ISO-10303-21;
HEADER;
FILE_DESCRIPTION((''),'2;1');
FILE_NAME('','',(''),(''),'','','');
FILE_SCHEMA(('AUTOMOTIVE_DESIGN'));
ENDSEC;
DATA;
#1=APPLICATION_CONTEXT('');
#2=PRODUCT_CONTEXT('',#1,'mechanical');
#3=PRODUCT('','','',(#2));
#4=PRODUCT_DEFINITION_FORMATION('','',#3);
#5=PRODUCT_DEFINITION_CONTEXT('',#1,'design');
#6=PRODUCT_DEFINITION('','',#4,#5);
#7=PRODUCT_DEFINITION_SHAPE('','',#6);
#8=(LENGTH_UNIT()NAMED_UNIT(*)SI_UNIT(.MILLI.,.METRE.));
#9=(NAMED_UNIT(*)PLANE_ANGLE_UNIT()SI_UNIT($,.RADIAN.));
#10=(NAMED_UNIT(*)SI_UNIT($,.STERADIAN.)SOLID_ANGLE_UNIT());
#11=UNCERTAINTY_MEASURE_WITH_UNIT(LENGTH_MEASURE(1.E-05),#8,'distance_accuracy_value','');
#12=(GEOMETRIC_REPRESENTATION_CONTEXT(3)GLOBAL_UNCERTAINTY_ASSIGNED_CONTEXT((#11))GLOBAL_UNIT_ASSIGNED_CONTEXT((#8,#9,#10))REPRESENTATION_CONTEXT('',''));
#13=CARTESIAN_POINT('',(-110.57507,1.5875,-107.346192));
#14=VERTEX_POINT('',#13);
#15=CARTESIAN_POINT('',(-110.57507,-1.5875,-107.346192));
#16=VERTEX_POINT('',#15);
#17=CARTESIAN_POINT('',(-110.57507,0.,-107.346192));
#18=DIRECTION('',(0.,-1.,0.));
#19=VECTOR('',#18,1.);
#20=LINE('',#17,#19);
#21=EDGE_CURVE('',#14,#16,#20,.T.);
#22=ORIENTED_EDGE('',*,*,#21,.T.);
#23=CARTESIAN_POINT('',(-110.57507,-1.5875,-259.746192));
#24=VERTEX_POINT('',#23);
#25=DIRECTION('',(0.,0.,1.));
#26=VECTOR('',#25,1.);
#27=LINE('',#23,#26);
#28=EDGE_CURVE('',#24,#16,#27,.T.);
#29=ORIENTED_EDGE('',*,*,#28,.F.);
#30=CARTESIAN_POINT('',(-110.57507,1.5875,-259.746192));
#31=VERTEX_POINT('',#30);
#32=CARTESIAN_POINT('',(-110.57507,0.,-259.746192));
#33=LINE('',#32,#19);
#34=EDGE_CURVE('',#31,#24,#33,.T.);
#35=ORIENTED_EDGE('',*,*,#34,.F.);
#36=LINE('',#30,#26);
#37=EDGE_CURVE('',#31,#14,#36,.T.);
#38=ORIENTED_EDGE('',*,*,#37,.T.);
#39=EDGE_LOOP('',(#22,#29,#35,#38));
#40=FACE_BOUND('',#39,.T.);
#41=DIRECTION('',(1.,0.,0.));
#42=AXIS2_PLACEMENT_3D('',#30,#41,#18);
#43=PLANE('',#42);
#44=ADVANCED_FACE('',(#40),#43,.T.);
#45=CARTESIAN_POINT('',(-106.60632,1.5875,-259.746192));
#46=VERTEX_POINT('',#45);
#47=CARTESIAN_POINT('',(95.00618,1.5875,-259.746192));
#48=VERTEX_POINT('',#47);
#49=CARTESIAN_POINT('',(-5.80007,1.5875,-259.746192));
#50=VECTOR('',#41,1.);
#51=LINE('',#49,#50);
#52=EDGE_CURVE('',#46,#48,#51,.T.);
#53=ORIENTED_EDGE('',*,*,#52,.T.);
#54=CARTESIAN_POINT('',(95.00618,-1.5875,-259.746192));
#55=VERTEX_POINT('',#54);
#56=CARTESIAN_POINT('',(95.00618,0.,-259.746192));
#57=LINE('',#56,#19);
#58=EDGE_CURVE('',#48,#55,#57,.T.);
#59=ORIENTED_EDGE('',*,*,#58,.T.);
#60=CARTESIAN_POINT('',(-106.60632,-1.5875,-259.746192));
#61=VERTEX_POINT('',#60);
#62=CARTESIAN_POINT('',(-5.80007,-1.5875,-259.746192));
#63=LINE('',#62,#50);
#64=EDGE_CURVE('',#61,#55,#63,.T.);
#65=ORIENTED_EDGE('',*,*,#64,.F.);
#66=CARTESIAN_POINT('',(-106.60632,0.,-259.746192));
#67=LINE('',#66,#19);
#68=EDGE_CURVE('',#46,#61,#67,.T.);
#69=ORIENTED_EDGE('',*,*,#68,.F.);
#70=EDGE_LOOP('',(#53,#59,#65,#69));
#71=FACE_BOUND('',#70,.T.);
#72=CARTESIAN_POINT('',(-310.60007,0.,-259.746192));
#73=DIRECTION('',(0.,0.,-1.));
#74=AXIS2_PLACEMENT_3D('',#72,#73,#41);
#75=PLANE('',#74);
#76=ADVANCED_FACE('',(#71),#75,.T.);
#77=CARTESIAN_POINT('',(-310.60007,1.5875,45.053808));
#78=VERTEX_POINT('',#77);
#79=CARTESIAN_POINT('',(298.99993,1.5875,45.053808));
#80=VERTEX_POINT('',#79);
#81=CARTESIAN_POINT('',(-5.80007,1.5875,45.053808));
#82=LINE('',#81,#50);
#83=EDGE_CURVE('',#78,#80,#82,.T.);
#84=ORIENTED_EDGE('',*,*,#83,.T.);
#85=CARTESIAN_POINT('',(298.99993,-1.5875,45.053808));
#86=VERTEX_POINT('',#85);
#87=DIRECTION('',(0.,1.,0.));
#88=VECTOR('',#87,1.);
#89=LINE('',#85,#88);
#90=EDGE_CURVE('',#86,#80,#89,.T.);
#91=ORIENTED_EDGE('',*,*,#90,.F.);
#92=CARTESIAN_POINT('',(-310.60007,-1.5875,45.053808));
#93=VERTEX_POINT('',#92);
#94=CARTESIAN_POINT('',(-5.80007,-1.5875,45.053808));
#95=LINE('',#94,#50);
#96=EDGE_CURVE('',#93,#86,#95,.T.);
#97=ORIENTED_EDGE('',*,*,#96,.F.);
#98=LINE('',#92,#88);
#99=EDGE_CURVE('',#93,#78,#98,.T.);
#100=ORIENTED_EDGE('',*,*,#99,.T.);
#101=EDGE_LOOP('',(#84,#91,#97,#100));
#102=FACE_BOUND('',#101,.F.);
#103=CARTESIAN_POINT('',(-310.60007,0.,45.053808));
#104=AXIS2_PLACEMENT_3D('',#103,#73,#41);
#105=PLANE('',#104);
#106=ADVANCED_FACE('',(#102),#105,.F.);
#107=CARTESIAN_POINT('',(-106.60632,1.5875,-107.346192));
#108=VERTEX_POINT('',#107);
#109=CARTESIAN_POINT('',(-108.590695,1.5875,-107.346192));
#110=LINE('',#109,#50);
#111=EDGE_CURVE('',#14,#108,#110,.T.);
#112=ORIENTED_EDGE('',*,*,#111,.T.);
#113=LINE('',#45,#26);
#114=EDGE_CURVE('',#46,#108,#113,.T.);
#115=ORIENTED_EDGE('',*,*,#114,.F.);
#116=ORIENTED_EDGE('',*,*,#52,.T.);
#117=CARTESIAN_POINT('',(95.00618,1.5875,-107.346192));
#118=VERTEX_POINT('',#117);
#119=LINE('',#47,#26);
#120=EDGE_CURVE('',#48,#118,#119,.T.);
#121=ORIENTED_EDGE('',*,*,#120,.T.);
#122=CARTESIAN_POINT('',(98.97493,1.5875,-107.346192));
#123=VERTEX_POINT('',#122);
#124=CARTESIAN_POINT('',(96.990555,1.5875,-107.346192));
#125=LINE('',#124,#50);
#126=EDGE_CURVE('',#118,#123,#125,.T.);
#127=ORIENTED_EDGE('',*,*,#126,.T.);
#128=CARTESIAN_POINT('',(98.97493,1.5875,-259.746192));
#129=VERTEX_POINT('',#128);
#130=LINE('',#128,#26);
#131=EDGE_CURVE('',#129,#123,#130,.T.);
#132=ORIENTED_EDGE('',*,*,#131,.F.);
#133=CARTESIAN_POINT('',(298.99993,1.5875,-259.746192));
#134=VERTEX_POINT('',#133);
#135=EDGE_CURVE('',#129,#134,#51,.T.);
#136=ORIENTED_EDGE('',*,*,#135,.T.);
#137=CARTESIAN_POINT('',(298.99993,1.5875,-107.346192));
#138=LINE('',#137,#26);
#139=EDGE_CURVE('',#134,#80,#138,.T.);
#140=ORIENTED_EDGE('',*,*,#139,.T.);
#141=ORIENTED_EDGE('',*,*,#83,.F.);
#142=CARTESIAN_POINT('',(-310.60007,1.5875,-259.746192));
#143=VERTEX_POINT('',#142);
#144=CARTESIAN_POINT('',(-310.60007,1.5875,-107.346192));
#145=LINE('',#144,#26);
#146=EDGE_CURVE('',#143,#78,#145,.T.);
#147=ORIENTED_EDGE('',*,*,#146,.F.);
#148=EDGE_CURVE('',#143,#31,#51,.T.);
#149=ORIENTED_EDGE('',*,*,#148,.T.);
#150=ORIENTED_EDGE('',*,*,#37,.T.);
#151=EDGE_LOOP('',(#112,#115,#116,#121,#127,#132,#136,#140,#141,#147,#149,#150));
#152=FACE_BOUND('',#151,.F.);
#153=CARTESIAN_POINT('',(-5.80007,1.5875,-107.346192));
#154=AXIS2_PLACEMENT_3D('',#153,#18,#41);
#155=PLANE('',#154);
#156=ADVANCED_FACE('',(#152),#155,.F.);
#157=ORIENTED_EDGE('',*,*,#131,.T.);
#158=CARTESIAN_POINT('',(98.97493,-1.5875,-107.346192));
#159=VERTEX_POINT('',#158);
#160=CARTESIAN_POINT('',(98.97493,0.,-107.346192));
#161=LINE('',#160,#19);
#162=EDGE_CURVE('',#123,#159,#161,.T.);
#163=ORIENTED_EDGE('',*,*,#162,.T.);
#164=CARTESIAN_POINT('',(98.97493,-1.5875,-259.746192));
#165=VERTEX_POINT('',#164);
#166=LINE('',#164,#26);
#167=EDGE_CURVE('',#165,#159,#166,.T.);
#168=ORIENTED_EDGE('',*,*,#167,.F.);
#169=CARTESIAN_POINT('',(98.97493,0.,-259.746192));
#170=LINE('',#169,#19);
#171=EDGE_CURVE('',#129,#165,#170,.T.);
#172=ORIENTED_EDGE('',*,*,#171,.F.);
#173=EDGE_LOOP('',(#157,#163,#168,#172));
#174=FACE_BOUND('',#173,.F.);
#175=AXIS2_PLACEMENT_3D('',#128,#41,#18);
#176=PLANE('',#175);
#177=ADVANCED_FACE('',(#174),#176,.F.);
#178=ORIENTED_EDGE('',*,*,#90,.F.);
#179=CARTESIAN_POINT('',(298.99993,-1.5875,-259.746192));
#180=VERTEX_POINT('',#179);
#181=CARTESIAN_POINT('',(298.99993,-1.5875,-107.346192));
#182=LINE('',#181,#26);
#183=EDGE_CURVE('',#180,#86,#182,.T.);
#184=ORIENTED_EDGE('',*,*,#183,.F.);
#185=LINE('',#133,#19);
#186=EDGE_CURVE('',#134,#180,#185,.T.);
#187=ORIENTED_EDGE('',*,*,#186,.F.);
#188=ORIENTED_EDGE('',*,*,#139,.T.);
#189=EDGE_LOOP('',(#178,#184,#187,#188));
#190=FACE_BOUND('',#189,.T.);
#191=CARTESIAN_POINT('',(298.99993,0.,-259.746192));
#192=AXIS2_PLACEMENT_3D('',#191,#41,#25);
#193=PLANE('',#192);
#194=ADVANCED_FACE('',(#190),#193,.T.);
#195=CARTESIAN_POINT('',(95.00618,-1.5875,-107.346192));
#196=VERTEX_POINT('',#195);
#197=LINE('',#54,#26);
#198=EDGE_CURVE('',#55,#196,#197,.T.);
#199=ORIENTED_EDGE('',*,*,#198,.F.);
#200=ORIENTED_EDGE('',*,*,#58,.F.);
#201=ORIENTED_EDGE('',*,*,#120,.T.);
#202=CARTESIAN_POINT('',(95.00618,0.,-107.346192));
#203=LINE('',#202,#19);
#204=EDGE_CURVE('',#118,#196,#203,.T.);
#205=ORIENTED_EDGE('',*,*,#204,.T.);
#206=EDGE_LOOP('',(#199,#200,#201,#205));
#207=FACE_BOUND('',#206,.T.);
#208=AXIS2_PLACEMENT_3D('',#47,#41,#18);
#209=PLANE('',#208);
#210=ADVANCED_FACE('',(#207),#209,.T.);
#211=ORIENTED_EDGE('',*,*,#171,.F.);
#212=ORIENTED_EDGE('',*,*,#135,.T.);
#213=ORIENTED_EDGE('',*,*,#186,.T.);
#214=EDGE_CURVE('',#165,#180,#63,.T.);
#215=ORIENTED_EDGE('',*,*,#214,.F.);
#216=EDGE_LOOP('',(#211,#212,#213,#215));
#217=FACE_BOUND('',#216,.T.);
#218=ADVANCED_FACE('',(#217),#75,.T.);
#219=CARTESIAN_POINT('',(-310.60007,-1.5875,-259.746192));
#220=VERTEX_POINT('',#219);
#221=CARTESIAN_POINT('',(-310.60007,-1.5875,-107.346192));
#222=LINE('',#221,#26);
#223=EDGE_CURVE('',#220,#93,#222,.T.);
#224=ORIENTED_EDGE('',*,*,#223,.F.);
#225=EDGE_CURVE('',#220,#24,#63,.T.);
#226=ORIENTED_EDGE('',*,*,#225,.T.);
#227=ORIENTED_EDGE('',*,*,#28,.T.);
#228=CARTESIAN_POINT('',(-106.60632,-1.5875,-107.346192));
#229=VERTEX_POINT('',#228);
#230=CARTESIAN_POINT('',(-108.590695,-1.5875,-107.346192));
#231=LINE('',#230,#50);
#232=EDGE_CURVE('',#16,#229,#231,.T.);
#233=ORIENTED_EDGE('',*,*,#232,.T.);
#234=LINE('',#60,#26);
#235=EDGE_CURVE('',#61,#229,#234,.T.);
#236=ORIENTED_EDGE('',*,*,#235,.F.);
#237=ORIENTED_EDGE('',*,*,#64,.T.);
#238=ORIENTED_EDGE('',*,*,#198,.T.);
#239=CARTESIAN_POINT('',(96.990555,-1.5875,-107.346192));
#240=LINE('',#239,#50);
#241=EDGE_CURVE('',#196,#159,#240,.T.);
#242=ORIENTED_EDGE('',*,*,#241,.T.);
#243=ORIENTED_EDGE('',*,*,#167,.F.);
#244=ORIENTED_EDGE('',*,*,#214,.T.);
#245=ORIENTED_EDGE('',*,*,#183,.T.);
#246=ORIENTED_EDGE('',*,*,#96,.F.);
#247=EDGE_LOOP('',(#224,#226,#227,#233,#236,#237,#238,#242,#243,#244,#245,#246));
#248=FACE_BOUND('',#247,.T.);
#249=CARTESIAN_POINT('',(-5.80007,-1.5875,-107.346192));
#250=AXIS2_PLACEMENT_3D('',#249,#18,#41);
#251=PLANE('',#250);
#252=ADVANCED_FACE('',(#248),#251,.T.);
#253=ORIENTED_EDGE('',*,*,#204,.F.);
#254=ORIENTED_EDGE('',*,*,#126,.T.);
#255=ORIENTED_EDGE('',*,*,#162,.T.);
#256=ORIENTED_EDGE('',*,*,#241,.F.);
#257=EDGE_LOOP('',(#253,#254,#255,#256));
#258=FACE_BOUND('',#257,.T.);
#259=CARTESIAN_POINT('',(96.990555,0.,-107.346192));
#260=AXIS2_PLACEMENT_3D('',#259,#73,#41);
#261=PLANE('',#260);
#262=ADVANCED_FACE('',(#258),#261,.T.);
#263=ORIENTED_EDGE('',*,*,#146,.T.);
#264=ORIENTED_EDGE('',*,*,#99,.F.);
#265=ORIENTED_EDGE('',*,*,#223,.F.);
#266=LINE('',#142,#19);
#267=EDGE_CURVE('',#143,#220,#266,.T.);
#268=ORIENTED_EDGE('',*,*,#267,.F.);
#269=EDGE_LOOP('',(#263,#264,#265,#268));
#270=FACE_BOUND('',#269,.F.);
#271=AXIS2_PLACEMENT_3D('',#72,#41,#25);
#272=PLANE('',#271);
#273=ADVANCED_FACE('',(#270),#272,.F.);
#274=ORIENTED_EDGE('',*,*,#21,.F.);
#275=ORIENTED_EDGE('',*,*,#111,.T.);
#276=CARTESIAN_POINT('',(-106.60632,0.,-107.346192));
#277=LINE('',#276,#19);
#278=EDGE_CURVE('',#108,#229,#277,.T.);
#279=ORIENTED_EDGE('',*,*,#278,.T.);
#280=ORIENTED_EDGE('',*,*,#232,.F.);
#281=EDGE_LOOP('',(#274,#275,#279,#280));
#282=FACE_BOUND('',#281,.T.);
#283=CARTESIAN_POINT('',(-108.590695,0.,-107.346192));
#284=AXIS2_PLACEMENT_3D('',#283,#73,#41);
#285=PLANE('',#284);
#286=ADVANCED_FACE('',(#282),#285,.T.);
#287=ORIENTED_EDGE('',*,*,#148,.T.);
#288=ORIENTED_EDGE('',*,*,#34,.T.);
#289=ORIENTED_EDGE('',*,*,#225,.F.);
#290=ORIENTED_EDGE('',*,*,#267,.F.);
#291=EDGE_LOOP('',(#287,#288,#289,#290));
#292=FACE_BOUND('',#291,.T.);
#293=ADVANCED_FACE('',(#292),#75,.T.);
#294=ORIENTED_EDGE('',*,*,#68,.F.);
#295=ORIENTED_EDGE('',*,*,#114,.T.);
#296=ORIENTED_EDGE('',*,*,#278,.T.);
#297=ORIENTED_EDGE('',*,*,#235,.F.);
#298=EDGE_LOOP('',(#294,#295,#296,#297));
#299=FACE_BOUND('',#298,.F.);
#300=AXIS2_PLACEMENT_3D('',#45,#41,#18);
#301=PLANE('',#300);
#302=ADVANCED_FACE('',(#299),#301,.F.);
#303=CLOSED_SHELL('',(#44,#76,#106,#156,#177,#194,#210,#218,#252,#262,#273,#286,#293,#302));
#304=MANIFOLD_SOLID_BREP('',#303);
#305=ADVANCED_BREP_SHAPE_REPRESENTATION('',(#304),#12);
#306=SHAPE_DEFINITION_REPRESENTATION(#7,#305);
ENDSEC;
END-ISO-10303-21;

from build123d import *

# Parameters (mm, degrees)
F0_W     = 609.6
F0_H     = 304.8
F1_DEPTH = 1.5875
F2_W     = 3.96875
F2_H     = 3.175
F3_DEPTH = 152.4
F4_W     = 3.96875
F4_H     = 3.175
F5_DEPTH = 152.4


with BuildPart() as f1:
    # F0 (on Front) → F1 (new body, symmetric)
    with BuildSketch(Plane.XZ):
        with Locations((-5.80007, -107.346192)):
            Rectangle(F0_W, F0_H)
    extrude(amount=F1_DEPTH, both=True)

    # F2 (on face) → F3 (cut)
    with BuildSketch(Plane(origin=(0, 0, -259.746192), x_dir=(1, 0, 0), z_dir=(0, 0, -1))):
        with Locations((96.990555, 0)):
            Rectangle(F2_W, F2_H)
    extrude(amount=-F3_DEPTH, mode=Mode.SUBTRACT)

    # F4 (on face) → F5 (cut)
    with BuildSketch(Plane(origin=(0, 0, -259.746192), x_dir=(1, 0, 0), z_dir=(0, 0, -1))):
        with Locations((-108.590695, 0)):
            Rectangle(F4_W, F4_H)
    extrude(amount=-F5_DEPTH, mode=Mode.SUBTRACT)


solid = f1.part
